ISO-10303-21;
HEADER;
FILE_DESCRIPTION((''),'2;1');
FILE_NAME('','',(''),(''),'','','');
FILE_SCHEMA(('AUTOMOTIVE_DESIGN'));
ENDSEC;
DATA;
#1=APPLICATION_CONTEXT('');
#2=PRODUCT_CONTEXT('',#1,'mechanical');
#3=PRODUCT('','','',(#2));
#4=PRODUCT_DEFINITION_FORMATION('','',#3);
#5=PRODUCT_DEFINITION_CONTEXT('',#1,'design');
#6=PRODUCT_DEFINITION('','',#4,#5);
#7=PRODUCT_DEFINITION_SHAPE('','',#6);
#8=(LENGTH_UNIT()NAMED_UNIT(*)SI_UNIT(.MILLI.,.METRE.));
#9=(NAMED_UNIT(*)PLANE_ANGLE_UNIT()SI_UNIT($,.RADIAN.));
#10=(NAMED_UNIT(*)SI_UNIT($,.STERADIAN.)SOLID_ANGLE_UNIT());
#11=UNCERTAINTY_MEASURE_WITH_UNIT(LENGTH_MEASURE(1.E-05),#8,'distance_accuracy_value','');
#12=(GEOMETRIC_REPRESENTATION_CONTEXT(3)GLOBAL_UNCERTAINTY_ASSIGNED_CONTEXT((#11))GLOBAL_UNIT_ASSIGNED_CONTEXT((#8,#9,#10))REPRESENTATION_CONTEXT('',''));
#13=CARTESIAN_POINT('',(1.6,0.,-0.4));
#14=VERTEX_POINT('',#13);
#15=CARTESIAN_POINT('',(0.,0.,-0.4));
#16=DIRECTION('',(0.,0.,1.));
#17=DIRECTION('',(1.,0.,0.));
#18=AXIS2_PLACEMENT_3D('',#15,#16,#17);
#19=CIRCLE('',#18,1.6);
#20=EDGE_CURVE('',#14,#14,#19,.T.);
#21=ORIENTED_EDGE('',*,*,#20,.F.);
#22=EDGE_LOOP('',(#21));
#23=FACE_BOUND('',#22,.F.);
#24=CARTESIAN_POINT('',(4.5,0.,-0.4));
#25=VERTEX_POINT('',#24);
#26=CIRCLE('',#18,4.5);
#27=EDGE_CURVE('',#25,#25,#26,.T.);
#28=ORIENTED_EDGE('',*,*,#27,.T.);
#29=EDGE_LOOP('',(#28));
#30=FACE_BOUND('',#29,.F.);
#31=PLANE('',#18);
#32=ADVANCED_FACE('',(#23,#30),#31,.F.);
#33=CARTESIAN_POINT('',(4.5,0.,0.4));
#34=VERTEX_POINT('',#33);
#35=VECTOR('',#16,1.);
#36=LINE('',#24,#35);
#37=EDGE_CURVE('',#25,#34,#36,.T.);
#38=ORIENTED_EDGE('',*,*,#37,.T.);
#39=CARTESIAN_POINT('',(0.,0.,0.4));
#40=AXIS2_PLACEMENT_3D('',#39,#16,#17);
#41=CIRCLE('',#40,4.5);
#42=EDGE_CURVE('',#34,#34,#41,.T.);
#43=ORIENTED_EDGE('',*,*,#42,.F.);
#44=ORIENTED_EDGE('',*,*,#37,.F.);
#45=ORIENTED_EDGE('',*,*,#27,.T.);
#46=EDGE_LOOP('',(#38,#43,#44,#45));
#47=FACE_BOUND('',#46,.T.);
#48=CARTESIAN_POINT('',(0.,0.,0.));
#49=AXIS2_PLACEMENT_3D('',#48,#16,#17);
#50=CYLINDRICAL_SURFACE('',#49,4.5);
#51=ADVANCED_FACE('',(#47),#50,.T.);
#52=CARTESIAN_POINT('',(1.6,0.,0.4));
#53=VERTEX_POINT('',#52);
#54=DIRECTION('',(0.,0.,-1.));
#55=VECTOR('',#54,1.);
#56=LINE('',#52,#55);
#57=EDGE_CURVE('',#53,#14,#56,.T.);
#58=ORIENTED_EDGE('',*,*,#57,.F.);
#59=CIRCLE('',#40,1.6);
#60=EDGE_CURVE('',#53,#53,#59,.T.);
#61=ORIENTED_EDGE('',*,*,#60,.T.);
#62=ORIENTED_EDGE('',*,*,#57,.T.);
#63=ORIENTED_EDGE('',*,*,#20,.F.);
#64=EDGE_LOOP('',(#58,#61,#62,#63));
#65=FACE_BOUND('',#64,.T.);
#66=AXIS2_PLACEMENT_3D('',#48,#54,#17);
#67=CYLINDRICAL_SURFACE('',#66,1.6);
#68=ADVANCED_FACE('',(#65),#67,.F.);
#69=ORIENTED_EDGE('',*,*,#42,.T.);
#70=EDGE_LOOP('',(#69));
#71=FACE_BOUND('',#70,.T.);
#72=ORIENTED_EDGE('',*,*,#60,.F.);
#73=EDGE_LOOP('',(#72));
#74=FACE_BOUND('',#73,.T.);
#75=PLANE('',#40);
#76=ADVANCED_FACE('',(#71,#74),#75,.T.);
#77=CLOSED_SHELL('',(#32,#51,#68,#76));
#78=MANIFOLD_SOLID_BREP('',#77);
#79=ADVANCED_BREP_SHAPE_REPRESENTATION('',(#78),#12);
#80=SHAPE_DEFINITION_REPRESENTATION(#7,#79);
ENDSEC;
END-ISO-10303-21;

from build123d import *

# Parameters (mm, degrees)
SKETCH2_R           = 4.5
SKETCH2_R_2         = 1.6
BOSS_EXTRUDE1_DEPTH = 0.4


with BuildPart() as part:
    # Sketch2 → Boss-Extrude1 (new, symmetric)
    with BuildSketch(Plane.XY):
        Circle(SKETCH2_R)
        Circle(SKETCH2_R_2, mode=Mode.SUBTRACT)
    extrude(amount=BOSS_EXTRUDE1_DEPTH, both=True)


solid = part.part
